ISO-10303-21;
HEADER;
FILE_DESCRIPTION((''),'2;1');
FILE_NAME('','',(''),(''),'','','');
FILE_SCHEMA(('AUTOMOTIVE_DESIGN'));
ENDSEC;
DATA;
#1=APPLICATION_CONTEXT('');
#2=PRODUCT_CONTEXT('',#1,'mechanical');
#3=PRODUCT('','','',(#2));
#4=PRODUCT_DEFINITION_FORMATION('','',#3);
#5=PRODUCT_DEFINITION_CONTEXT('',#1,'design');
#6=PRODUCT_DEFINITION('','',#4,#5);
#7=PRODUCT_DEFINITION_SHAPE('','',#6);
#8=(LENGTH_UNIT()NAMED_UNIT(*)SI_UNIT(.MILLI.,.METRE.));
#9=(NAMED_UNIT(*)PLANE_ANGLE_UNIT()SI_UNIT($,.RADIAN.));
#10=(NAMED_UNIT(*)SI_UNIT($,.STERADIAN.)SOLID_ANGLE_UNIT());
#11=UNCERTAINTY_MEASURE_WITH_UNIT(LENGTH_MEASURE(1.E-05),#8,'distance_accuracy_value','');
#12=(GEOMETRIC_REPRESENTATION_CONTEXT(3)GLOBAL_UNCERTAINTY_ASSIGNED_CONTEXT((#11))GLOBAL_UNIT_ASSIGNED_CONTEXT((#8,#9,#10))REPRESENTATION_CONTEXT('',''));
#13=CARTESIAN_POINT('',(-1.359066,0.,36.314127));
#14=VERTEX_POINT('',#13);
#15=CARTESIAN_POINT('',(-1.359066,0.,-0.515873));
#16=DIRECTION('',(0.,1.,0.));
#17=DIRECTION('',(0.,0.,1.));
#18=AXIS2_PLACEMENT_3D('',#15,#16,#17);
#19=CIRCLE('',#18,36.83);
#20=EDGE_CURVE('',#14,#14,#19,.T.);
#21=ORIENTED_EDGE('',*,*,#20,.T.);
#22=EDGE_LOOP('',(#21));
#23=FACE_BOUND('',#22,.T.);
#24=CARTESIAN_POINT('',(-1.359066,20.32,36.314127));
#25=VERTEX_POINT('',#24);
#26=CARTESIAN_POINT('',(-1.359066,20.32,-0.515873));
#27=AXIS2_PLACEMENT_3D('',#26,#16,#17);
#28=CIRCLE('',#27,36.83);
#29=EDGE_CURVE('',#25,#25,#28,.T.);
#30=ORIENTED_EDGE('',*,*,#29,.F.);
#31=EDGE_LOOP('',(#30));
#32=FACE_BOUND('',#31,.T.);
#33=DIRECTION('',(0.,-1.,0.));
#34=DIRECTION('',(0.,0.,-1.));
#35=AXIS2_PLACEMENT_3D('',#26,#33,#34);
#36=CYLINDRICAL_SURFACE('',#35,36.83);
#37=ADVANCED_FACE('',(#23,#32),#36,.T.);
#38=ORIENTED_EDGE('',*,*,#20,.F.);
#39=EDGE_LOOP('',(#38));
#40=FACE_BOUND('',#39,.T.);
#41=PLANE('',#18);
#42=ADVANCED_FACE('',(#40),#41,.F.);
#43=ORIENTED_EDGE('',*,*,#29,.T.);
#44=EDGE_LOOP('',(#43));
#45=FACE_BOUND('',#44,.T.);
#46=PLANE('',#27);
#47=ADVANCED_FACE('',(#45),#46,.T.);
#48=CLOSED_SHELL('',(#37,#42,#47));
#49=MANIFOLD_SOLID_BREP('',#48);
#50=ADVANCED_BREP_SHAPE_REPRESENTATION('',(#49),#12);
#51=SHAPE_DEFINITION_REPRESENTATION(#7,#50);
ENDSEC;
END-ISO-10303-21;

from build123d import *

# Parameters (mm, degrees)
SKETCH1_R           = 36.83
BOSS_EXTRUDE1_DEPTH = 20.32


with BuildPart() as part:
    # Sketch1 → Boss-Extrude1 (new body)
    with BuildSketch(Plane(origin=(0, 0, 0), x_dir=(1, 0, 0), z_dir=(0, 1, 0))):
        with Locations(Location((-1.359065717, 0.51587322, 0), (0, 0, 270))):
            Circle(SKETCH1_R)
    extrude(amount=BOSS_EXTRUDE1_DEPTH)


solid = part.part
